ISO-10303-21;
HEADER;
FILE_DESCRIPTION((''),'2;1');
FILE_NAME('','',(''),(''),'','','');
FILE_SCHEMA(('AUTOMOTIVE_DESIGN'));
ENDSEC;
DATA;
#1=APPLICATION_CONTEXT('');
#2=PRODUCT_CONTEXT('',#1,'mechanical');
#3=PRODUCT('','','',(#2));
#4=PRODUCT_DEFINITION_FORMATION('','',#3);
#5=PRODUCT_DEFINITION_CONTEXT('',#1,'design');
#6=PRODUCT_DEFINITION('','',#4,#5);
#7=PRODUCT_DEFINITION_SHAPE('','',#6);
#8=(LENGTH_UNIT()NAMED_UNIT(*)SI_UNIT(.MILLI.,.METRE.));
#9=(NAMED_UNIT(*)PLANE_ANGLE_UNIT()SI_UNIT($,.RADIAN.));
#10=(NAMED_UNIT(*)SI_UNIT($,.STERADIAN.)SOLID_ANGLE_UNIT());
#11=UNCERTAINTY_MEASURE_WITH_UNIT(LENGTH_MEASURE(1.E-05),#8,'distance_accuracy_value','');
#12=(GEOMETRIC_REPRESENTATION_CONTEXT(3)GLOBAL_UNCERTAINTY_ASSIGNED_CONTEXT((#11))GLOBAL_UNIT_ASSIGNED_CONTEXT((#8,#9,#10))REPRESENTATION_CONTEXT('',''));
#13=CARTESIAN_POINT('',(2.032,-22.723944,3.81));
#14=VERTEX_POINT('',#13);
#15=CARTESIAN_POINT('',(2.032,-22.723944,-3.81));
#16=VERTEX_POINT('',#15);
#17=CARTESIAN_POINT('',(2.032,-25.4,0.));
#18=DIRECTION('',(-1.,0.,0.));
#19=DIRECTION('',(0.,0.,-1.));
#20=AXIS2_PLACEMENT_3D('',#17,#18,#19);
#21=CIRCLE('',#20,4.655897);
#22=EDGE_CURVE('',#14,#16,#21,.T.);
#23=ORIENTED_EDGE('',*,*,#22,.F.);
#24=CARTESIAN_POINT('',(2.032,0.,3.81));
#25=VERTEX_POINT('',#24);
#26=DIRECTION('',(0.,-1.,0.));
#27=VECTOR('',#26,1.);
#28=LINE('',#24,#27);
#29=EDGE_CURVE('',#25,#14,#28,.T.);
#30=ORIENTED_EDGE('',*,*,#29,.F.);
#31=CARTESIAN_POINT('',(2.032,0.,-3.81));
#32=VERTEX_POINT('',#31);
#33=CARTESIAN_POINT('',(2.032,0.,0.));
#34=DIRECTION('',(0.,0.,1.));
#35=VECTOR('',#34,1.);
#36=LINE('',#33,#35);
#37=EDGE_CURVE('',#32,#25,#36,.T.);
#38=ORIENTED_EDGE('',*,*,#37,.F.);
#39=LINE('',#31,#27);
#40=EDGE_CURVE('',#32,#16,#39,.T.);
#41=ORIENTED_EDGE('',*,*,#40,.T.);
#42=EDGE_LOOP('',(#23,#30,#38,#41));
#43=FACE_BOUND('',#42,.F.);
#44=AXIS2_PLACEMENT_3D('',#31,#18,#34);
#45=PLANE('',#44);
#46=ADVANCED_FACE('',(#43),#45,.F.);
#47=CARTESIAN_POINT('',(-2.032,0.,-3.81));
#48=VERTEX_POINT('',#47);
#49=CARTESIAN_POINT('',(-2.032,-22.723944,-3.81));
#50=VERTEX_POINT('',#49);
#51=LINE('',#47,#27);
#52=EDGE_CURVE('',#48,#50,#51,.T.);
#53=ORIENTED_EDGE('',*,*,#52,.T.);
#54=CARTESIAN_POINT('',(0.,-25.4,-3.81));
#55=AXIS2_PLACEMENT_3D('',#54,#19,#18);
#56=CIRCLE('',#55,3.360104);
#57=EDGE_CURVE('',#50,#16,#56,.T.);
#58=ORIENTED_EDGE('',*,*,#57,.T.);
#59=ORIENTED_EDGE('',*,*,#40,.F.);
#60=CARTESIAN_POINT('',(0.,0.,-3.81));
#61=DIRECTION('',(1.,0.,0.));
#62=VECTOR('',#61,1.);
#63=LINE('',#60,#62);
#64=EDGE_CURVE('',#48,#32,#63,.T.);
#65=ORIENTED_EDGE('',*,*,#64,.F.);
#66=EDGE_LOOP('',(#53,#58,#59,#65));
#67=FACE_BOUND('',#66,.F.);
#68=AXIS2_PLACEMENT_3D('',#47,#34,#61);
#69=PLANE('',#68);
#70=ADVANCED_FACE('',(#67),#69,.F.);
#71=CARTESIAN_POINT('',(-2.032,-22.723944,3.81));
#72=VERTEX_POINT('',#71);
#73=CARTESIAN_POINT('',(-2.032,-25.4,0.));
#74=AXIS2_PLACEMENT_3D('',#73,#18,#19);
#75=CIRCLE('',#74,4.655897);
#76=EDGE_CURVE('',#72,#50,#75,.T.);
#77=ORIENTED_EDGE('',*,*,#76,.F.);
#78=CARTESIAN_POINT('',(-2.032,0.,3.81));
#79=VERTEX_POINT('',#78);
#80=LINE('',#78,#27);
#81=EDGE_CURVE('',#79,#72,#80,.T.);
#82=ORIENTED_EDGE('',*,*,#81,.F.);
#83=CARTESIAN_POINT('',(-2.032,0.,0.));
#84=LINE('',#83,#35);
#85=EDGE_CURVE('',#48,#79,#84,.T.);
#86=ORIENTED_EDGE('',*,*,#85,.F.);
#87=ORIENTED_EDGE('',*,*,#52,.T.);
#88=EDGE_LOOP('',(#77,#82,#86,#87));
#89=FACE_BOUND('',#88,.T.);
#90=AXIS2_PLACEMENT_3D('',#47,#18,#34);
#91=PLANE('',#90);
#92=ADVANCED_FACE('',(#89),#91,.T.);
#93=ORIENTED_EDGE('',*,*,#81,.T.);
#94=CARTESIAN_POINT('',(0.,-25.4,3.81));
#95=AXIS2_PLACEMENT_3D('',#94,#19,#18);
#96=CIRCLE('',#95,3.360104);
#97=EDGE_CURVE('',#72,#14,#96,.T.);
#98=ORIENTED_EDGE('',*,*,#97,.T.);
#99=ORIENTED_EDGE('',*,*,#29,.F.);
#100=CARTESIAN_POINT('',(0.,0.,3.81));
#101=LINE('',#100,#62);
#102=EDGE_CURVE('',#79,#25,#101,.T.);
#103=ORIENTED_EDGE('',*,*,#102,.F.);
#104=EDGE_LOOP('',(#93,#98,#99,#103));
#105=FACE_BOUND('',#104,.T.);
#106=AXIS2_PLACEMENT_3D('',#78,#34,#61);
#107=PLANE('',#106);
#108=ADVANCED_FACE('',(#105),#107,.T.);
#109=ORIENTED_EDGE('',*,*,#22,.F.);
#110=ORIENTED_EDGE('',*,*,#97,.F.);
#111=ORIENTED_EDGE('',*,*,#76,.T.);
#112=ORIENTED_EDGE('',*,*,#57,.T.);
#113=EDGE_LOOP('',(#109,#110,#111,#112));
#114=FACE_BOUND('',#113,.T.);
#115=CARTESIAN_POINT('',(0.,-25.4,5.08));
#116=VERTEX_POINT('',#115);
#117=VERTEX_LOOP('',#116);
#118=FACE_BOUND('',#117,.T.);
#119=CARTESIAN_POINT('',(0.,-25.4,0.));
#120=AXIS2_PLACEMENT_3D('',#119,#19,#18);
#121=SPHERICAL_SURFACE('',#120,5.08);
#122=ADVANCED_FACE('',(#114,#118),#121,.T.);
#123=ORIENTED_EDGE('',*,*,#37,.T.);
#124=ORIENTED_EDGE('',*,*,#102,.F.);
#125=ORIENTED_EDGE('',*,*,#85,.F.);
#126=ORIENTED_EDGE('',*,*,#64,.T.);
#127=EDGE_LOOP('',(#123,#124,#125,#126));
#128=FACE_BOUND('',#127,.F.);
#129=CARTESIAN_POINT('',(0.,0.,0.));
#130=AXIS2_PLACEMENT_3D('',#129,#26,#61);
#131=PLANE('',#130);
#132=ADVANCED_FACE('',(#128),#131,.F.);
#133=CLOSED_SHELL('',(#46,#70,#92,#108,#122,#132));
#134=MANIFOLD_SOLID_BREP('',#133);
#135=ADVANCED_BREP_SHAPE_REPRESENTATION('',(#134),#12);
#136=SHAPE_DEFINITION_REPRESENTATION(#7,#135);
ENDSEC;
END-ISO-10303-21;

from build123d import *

# Parameters (mm, degrees)
F0_W     = 4.064
F0_H     = 7.62
F1_DEPTH = 25.4


with BuildPart() as f1:
    # F0 (on Front) → F1 (new body)
    with BuildSketch(Plane.XZ):
        Rectangle(F0_W, F0_H)
    extrude(amount=F1_DEPTH)

    # F2 (on face) → F3 (revolve)
    with BuildSketch(Plane.XZ.offset(25.4)):
        with BuildLine():
            Line((0, -5.08), (0, 5.08))
            ThreePointArc((0, 5.08), (-5.08, 0), (0, -5.08))
        make_face()
    revolve(axis=Axis((0, -25.4, 0), (0, 0, -1)))


solid = f1.part
